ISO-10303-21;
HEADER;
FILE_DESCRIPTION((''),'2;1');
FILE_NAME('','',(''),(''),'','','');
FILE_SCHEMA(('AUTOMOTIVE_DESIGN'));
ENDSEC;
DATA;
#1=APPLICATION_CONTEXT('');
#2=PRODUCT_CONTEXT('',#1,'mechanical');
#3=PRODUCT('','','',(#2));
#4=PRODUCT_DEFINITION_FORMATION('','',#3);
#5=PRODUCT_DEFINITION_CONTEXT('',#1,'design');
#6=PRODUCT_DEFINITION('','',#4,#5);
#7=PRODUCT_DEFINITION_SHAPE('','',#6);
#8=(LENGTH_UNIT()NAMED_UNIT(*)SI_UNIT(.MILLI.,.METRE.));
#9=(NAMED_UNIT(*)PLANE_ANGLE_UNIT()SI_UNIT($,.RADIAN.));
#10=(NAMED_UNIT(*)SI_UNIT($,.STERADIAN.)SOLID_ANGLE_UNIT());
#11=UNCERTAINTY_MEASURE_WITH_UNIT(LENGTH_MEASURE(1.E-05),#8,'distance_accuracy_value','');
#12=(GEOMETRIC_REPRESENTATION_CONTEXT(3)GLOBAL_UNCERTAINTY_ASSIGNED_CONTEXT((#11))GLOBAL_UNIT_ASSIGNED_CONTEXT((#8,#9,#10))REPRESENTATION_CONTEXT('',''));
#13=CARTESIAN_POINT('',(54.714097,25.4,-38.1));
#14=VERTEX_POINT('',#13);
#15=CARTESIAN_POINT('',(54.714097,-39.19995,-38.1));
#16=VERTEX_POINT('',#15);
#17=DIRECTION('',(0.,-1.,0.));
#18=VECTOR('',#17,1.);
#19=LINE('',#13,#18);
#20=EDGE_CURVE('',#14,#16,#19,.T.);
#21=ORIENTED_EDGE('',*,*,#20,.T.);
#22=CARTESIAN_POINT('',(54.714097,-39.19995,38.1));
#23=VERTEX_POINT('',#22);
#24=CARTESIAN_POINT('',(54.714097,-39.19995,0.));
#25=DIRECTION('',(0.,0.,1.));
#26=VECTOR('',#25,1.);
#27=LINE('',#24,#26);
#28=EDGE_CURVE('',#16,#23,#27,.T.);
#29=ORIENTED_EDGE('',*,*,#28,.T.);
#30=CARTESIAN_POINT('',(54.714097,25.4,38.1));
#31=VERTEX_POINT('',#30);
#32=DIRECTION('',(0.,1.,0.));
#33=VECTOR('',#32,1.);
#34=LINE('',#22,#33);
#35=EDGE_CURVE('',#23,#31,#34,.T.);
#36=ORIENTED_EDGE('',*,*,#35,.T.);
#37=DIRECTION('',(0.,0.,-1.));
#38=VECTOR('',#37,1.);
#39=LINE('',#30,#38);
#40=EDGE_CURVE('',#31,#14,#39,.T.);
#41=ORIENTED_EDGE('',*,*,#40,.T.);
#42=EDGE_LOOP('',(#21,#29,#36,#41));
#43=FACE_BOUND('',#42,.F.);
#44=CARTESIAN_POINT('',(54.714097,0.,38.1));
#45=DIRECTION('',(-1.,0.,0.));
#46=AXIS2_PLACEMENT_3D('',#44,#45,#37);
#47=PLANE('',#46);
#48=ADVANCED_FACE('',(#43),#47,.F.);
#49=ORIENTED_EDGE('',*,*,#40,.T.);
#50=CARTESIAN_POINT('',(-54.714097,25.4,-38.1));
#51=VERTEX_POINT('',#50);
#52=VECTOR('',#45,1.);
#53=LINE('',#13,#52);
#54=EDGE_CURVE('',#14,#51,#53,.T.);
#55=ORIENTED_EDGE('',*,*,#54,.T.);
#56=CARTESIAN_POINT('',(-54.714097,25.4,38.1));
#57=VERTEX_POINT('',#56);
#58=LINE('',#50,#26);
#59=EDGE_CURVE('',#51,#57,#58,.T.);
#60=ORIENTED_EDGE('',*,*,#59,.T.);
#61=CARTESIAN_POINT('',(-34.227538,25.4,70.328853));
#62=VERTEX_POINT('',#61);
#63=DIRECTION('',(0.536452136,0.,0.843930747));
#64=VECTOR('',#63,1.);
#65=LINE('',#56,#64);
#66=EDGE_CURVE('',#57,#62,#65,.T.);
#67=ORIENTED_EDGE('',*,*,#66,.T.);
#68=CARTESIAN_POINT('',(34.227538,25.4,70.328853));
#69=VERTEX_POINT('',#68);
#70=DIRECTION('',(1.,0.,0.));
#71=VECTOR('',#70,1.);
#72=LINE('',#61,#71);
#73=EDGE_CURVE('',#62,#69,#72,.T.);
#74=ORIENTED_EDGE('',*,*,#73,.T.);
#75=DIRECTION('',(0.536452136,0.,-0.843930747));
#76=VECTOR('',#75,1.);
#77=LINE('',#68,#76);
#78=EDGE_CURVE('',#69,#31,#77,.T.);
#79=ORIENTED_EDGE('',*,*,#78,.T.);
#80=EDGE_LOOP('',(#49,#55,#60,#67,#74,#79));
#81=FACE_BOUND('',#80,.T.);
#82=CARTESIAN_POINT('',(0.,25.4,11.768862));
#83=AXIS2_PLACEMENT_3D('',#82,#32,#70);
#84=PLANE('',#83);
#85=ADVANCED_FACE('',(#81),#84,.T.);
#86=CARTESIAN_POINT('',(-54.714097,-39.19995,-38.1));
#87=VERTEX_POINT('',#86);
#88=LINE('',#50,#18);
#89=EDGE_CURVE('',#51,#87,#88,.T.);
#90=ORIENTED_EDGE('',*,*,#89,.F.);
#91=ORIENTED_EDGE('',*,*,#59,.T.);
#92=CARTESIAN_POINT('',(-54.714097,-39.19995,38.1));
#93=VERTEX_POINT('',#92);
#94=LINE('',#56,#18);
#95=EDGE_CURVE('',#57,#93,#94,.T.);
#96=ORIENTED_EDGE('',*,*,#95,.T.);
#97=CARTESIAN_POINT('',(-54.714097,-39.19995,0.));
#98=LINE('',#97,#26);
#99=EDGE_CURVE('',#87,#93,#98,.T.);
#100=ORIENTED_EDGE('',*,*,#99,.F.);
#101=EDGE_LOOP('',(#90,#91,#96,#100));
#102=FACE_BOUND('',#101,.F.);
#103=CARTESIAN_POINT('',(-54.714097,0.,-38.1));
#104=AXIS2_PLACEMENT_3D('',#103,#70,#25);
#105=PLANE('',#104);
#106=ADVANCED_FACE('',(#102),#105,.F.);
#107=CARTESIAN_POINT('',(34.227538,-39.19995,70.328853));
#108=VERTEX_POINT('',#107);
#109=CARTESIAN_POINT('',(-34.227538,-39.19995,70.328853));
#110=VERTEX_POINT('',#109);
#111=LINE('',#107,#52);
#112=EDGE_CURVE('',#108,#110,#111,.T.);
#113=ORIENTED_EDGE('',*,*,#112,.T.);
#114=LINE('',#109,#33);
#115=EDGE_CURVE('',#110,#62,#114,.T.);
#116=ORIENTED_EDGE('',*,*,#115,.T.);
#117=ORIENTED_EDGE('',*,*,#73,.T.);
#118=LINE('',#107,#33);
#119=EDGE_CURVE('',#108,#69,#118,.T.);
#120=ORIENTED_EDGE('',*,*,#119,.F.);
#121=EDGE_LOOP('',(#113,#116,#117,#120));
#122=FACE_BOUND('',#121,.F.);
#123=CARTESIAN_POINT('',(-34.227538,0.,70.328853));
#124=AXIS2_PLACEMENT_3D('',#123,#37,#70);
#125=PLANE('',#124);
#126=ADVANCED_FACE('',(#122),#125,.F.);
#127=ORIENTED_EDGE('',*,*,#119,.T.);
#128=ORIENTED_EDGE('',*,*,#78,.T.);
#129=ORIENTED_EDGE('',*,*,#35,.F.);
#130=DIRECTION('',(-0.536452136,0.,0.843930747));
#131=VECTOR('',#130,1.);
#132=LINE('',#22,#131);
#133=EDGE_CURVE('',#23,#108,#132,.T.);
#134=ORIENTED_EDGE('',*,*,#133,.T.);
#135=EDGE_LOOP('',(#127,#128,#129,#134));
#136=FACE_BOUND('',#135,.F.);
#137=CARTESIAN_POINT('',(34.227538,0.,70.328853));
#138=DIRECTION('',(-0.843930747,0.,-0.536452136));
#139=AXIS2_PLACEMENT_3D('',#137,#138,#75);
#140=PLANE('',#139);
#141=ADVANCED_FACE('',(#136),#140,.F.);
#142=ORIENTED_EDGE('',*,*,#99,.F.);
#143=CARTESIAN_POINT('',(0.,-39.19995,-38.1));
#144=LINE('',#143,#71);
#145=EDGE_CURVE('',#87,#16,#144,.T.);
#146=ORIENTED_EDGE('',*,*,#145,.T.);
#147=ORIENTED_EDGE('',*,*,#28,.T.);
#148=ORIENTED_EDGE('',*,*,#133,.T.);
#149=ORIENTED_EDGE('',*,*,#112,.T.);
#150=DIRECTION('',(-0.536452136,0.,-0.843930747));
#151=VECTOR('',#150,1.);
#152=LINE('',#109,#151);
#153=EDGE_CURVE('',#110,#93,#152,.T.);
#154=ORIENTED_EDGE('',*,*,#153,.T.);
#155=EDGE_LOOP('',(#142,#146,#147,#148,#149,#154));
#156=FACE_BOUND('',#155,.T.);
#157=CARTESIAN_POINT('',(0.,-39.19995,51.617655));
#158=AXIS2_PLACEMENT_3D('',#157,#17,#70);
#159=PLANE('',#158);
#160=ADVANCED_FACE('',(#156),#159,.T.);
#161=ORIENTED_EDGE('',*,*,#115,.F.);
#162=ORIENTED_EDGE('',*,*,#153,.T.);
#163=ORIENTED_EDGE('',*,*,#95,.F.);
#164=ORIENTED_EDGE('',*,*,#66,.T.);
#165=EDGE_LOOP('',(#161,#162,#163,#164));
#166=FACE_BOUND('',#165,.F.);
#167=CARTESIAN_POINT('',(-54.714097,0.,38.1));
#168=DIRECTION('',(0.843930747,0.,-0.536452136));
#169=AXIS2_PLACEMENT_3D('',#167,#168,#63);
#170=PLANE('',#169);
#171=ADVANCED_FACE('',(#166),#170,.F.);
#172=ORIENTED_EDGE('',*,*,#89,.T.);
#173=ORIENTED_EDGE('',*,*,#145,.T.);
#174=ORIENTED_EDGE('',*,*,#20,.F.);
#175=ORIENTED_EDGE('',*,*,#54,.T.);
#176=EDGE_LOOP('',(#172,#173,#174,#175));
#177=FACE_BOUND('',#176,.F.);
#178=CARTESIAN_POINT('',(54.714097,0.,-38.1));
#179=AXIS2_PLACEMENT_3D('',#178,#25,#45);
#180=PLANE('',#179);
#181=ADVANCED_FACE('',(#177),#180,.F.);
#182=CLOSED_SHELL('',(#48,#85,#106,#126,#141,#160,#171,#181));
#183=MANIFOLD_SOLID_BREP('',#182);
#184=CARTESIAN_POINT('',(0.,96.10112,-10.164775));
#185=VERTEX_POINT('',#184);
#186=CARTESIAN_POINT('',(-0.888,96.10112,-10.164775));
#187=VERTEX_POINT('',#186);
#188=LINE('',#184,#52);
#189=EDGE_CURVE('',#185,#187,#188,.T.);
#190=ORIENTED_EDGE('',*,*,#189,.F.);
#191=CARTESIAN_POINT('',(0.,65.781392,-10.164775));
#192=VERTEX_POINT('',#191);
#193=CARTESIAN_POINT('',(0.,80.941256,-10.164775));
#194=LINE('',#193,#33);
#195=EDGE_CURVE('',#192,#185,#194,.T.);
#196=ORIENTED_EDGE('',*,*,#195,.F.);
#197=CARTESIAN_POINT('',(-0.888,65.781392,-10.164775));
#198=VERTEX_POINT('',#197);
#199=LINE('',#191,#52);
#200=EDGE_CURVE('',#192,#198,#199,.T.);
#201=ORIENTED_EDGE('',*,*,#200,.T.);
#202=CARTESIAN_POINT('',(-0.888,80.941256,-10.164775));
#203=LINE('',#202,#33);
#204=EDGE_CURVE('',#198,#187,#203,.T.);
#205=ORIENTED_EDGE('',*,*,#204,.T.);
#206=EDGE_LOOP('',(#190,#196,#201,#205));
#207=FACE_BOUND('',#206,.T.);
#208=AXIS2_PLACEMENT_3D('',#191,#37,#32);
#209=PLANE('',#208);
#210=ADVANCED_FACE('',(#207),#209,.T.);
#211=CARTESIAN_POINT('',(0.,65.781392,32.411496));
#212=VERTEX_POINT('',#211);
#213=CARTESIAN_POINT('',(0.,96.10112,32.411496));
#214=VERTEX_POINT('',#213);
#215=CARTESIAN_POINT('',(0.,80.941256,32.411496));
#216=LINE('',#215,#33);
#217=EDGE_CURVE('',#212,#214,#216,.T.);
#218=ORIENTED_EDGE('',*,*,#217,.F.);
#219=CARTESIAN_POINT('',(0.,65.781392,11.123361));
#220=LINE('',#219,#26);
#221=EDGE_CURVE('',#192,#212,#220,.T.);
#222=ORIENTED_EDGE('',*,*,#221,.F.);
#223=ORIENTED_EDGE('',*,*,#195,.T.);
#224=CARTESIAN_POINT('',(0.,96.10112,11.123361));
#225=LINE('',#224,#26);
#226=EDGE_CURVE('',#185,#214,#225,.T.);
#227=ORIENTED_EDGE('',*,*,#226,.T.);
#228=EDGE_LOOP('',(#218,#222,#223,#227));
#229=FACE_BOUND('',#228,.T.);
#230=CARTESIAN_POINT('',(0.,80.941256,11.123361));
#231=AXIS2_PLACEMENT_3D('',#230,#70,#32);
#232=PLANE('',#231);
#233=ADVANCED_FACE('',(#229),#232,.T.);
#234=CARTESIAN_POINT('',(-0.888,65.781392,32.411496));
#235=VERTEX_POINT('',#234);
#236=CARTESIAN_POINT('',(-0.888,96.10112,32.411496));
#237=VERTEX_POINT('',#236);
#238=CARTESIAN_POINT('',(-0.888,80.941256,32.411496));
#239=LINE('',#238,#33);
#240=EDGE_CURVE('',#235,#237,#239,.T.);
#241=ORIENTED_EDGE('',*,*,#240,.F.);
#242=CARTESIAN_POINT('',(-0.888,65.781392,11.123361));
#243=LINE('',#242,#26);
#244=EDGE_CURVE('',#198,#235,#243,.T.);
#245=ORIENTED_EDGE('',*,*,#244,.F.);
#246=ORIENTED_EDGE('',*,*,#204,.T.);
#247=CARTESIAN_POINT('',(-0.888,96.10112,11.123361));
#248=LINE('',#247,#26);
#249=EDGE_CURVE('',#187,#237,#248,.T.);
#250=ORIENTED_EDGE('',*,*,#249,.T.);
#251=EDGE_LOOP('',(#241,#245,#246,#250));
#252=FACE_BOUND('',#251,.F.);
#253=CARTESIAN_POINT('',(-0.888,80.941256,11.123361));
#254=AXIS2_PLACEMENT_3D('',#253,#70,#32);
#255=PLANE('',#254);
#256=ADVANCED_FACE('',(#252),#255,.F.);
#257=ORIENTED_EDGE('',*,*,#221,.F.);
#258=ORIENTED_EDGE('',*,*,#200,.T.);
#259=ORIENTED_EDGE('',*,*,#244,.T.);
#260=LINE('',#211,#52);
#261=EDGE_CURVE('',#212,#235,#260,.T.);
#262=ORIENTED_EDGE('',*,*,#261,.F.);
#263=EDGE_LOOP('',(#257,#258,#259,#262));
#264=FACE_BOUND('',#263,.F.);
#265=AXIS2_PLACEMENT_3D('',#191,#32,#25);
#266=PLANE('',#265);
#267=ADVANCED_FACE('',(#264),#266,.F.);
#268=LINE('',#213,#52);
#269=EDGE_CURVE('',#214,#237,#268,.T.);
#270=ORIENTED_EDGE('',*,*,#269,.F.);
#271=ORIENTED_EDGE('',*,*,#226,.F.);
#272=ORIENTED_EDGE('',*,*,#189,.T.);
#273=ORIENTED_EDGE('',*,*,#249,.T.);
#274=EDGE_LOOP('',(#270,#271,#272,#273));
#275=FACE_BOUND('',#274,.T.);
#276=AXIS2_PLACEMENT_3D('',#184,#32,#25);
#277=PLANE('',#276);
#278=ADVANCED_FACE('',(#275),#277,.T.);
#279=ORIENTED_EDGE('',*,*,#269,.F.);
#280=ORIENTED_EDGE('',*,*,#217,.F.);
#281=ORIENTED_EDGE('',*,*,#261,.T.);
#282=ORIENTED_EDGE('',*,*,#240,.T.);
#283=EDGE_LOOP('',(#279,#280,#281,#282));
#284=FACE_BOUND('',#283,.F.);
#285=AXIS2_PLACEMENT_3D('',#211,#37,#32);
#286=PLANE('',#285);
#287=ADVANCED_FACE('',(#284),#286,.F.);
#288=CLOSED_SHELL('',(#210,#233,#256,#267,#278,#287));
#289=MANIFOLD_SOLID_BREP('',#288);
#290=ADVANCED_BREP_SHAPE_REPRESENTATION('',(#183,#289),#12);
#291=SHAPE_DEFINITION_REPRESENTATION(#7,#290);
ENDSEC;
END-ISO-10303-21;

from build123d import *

# Parameters (mm, degrees)
F0_W     = 109.428194
F0_H     = 76.2
F1_DEPTH = 39.19995
F3_DEPTH = 25.4
F4_W     = 30.319728
F4_H     = 42.576271
F5_DEPTH = 0.888


with BuildPart() as f1:
    # F0 (on Front) → F1 (new body)
    with BuildSketch(Plane.XZ):
        Polygon((-34.227538, 70.328853), (-54.714097, 38.1), (54.714097, 38.1), (34.227538, 70.328853), align=None)
        Rectangle(F0_W, F0_H)
    extrude(amount=F1_DEPTH)

    # F1_face (on face) → F3 (join)
    with BuildSketch(Plane(origin=(0, 0, 13.552836), x_dir=(1, 0, 0), z_dir=(0, 1, 0))):
        Polygon((-54.714097, -24.547164), (-34.227538, -56.776017), (34.227538, -56.776017), (54.714097, -24.547164), (54.714097, 51.652836), (-54.714097, 51.652836), align=None)
    extrude(amount=F3_DEPTH)


with BuildPart() as f5:
    # F4 (on Right) → F5 (new body)
    with BuildSketch(Plane.YZ):
        with Locations((80.941256, 11.123361)):
            Rectangle(F4_W, F4_H)
    extrude(amount=-F5_DEPTH)


solid = Compound([f1.part, f5.part])
